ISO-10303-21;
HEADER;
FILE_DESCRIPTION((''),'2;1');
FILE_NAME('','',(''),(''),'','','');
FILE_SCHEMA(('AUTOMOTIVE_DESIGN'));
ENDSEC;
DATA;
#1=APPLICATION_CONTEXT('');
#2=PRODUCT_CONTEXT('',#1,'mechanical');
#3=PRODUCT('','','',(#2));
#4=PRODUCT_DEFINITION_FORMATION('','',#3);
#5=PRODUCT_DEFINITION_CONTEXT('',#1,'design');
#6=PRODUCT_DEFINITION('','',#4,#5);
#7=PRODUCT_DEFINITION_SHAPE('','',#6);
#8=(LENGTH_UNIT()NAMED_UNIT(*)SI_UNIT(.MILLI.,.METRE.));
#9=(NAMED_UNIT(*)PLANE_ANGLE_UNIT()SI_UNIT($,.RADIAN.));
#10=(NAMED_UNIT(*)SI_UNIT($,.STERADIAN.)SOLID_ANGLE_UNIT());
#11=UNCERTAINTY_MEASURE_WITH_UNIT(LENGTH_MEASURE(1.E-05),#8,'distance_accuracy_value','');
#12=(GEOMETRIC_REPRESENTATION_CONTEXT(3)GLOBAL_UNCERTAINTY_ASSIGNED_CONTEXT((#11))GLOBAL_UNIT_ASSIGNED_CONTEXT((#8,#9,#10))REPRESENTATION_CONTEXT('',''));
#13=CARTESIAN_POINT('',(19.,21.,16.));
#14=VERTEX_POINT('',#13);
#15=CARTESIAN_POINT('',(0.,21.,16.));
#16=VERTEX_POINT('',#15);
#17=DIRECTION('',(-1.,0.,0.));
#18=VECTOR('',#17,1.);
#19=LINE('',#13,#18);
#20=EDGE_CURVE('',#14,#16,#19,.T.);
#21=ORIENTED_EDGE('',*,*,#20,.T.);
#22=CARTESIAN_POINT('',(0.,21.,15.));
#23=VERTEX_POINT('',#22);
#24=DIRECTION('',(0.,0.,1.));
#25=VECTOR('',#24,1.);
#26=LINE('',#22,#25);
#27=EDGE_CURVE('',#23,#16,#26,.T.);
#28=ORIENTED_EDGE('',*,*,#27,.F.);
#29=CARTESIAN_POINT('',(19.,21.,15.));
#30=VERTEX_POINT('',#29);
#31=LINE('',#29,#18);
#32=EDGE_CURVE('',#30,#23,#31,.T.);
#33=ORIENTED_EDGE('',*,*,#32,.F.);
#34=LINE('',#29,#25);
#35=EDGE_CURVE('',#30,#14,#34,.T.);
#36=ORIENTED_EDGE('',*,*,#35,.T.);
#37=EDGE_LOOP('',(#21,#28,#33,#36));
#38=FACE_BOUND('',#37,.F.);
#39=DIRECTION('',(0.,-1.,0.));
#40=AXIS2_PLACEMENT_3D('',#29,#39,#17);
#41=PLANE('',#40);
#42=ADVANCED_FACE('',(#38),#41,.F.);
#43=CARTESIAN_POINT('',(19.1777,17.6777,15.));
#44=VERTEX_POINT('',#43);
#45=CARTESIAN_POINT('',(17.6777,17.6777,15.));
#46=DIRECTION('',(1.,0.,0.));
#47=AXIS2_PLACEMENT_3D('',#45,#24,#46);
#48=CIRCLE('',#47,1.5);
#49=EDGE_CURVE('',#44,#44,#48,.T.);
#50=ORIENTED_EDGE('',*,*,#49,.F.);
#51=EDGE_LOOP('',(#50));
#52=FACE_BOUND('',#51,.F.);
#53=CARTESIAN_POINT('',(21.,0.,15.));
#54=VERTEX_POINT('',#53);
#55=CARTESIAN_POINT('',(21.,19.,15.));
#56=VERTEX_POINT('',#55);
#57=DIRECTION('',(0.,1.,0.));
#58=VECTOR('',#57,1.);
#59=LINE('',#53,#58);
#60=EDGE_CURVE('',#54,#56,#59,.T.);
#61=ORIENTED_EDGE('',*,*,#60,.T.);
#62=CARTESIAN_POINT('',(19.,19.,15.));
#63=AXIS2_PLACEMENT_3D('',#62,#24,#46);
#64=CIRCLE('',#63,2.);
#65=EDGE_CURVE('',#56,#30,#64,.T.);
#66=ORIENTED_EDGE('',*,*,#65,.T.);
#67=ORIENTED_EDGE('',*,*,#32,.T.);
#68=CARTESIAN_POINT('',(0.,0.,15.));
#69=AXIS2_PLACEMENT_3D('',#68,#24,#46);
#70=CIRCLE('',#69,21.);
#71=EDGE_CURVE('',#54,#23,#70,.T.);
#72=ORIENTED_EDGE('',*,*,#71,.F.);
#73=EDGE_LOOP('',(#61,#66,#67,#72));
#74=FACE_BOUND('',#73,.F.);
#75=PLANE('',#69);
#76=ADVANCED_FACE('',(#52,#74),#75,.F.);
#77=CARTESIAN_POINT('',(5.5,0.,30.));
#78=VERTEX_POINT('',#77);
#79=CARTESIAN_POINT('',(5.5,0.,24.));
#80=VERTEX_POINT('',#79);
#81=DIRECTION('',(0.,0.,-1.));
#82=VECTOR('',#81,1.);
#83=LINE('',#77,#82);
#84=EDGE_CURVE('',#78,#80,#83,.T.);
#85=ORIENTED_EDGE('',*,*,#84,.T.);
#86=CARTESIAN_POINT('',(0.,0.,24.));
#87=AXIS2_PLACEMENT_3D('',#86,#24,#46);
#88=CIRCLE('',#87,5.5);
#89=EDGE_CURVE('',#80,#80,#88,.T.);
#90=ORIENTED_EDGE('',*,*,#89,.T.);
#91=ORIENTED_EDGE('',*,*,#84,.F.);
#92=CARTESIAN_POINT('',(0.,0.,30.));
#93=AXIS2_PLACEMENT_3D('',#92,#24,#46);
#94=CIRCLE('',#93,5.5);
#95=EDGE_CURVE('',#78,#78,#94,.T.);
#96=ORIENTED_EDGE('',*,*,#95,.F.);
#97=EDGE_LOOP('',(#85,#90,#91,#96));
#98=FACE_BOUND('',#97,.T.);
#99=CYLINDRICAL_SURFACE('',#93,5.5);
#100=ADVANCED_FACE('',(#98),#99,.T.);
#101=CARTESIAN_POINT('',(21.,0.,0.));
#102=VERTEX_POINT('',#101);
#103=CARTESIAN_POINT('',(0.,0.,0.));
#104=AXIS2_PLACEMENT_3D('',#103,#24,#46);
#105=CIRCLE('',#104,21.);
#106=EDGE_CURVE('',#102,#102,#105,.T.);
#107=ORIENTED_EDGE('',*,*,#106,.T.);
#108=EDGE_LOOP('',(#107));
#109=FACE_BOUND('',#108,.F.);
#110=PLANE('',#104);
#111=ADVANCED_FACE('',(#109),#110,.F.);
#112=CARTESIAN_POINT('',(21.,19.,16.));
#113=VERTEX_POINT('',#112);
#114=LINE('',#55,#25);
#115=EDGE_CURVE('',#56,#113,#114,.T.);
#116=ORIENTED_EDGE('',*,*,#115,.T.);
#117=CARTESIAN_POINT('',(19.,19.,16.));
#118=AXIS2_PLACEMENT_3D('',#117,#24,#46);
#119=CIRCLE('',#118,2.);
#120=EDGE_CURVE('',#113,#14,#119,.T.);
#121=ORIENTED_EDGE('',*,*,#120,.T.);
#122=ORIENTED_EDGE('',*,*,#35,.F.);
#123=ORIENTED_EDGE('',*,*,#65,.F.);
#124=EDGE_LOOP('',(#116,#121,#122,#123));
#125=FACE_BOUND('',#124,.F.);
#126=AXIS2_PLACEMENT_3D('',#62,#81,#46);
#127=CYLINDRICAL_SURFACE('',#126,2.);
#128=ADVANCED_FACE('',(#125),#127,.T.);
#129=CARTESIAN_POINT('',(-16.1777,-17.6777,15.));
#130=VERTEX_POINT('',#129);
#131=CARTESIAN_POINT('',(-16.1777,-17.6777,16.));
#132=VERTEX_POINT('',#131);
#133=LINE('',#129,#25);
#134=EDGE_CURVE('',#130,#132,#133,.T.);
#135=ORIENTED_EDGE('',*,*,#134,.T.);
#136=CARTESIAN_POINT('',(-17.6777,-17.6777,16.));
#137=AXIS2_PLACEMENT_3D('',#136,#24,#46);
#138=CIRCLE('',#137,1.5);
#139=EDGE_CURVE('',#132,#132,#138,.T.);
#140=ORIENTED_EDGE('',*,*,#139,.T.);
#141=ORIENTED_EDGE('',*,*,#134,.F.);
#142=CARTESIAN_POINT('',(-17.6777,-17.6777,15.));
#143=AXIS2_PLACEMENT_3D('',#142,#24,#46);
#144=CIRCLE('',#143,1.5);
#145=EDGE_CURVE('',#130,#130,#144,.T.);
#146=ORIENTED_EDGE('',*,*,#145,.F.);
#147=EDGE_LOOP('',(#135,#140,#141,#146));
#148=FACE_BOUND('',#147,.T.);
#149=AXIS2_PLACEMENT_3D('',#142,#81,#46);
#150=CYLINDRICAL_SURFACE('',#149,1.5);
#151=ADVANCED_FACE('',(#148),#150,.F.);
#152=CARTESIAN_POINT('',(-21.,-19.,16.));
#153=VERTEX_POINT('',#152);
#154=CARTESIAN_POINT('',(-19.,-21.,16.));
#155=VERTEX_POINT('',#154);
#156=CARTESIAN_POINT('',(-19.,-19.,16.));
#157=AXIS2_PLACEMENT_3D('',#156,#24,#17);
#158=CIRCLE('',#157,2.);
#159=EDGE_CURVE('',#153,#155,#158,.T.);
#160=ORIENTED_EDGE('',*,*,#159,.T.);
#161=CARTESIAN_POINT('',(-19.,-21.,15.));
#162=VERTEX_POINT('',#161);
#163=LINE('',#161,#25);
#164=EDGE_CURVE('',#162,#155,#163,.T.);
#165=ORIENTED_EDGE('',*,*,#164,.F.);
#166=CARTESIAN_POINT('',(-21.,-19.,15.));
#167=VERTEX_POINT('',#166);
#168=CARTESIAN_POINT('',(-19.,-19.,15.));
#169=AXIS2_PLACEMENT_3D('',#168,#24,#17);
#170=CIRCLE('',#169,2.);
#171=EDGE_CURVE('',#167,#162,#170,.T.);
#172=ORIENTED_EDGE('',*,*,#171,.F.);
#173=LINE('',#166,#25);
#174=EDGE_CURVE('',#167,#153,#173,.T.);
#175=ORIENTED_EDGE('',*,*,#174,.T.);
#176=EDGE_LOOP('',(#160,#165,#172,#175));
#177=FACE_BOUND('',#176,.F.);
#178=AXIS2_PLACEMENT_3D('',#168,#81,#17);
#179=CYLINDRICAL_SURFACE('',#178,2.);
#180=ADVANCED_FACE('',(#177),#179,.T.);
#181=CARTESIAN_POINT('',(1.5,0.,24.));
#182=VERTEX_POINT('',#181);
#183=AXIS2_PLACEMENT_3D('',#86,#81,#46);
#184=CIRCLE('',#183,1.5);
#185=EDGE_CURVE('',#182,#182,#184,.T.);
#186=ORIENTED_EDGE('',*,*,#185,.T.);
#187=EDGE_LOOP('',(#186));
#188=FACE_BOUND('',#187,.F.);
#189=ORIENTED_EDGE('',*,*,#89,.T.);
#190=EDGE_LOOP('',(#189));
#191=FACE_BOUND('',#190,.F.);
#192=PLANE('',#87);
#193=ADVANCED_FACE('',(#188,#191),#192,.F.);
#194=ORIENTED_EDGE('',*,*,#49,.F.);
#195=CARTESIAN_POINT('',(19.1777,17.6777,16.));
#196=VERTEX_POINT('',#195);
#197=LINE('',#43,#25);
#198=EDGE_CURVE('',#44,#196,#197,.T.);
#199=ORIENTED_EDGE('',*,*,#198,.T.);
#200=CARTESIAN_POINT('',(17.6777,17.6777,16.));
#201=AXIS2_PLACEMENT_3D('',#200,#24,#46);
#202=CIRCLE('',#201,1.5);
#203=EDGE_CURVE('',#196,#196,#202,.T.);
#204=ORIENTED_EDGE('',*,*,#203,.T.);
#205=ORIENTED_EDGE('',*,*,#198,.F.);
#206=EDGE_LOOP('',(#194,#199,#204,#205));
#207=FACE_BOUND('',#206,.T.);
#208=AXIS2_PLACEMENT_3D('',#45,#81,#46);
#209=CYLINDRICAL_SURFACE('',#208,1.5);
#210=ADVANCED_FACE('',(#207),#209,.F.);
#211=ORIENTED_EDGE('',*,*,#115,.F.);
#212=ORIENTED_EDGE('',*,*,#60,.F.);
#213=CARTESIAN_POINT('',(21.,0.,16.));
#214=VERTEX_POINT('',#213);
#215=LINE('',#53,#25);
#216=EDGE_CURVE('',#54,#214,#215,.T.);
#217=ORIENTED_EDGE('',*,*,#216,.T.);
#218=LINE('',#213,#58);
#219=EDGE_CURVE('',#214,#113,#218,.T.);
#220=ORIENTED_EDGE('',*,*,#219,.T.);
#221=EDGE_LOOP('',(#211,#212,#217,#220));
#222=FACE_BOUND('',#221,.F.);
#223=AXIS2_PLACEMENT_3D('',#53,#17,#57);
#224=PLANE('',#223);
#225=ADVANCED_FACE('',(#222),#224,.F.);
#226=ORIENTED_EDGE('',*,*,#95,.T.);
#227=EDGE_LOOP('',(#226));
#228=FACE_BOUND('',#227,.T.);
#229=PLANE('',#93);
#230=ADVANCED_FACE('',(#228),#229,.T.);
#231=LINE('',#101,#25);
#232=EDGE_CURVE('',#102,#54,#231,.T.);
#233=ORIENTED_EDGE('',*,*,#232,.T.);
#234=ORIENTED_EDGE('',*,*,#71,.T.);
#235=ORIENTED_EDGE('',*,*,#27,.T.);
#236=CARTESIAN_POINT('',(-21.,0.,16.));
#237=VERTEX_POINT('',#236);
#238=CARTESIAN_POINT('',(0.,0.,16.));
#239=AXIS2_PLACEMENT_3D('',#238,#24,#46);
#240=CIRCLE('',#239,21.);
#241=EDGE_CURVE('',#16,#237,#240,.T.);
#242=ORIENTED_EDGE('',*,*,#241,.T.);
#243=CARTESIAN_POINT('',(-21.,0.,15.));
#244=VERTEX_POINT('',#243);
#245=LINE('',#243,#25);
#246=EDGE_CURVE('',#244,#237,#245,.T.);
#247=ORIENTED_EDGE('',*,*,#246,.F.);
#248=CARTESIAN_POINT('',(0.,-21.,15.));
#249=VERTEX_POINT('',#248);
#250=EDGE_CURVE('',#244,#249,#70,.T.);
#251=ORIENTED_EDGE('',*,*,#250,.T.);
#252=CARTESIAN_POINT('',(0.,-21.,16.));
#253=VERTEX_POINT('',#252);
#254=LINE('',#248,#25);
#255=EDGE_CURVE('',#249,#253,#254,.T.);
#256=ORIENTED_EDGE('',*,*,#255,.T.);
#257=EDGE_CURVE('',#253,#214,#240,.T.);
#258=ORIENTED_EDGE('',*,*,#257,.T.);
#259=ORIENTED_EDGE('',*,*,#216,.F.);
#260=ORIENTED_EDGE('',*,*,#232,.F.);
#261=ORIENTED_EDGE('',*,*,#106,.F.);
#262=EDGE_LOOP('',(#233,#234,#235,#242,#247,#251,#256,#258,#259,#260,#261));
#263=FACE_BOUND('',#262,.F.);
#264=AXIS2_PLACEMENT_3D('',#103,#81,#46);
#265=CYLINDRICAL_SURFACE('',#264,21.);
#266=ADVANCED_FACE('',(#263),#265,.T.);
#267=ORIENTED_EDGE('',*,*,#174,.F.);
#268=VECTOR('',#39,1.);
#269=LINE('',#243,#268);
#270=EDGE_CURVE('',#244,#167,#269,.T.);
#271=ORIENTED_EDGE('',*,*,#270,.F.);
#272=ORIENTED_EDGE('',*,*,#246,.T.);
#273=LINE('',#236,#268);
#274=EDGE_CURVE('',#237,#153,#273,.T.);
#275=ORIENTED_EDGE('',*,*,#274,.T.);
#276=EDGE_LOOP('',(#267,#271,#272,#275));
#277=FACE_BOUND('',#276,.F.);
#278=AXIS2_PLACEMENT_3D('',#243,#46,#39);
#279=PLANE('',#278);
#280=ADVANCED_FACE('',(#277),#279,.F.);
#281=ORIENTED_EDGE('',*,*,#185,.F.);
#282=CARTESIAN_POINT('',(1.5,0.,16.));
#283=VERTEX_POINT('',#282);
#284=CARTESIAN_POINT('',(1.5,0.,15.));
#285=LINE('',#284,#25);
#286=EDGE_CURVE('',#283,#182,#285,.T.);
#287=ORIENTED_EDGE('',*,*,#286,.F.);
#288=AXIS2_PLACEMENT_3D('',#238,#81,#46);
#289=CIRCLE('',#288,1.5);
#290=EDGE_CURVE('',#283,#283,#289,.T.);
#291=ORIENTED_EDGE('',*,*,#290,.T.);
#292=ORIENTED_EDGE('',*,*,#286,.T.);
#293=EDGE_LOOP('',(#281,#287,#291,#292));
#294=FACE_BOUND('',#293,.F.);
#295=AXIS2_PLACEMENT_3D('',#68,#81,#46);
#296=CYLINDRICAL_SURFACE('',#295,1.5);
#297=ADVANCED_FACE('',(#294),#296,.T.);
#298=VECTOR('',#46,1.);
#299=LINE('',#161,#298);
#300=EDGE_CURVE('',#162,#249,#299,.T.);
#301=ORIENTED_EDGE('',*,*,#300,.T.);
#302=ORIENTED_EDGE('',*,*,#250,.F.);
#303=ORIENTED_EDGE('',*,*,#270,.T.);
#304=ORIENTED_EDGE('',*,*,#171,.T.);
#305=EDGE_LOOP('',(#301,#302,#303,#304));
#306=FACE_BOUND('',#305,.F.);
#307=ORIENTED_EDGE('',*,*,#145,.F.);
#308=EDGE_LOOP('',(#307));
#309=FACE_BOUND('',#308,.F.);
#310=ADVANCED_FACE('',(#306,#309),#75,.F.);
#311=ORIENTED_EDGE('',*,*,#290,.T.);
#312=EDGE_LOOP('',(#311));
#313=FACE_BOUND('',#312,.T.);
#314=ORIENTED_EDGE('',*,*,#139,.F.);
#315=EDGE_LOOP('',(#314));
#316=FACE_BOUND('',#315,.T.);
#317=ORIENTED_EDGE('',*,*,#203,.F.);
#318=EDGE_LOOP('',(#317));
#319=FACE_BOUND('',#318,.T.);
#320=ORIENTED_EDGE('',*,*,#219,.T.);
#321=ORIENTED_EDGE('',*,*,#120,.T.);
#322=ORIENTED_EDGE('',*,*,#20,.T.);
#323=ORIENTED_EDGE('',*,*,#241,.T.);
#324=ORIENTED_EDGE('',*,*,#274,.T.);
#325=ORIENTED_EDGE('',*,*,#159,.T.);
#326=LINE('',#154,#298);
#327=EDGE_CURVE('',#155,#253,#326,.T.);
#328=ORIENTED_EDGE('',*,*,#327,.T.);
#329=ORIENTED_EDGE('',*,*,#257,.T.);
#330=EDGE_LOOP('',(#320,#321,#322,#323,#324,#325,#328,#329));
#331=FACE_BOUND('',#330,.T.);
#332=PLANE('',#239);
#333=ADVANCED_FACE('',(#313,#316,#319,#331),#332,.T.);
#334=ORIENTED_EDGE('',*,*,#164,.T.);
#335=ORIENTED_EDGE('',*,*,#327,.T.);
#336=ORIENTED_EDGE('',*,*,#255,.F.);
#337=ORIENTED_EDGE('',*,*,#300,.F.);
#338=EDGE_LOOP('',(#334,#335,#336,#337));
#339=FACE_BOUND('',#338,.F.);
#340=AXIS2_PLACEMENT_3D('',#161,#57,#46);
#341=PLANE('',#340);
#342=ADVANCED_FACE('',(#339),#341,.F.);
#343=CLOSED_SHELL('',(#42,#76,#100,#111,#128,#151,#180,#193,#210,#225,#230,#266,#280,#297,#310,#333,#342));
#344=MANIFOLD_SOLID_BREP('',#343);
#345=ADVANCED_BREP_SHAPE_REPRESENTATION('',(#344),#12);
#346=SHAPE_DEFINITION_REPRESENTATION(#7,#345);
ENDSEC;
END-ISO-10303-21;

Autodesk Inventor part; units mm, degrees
ref_plane "YZ Plane" through (0, 0, 0) normal (1, 0, 0) x (0, 1, 0)
ref_plane "XZ Plane" through (0, 0, 0) normal (0, 1, 0) x (-1, 0, 0)
ref_plane "XY Plane" through (0, 0, 0) normal (0, 0, 1) x (1, 0, 0)
sketch "Sketch1" plane through (0, 0, 0) normal (0, 0, 1) x (1, 0, 0)
  circle A0 centre (0, 0) radius 21
  dimension "d0" = 42
extrude "Extrusion1" add sketch "Sketch1" along normal blind 15
sketch "Sketch2" plane through (0, 0, 15) normal (0, 0, 1) x (1, 0, 0)
  circle A0 centre (0, 0) radius 21 construction
  circle A1 centre (0, 0) radius 1.5
  dimension "d3" = 3
extrude "Extrusion2" add sketch "Sketch2" along normal blind 15
sketch "Sketch3" plane through (0, 0, 15) normal (0, 0, 1) x (1, 0, 0)
  circle A0 centre (0, 0) radius 1.5 construction
  circle A1 centre (0, 0) radius 21 construction
  line L0 (-19, -21) -> (0, -21)
  line L1 (21, 0) -> (21, 19)
  line L2 (19, 21) -> (0, 21)
  line L3 (-21, 0) -> (-21, -19)
  line L4 (-21, -21) -> (21, 21) construction
  line L5 (21, -21) -> (-21, 21) construction
  circle A2 centre (0, 0) radius 21 projected
  arc A3 (21, 19) -> (19, 21) centre (19, 19) ccw
  arc A4 (-21, -19) -> (-19, -21) centre (-19, -19) ccw
  circle A5 centre (-17.6777, -17.6777) radius 1.5
  circle A6 centre (17.6777, 17.6777) radius 1.5
  point P0 (0, 0)
  dimension "d6" = 2
  dimension "d7" = 3
  dimension "d8" = 3
  dimension "d9" = 25
  dimension "d10" = 25
extrude "Extrusion3" add sketch "Sketch3" along normal blind 1
sketch "Sketch4" plane through (0, 0, 30) normal (0, 0, 1) x (1, 0, 0)
  circle A0 centre (0, 0) radius 5.5
  dimension "d13" = 11
extrude "Extrusion4" add sketch "Sketch4" against normal blind 6
equation "\"d10\" = d9"
properties part number "stepper motor 1"
